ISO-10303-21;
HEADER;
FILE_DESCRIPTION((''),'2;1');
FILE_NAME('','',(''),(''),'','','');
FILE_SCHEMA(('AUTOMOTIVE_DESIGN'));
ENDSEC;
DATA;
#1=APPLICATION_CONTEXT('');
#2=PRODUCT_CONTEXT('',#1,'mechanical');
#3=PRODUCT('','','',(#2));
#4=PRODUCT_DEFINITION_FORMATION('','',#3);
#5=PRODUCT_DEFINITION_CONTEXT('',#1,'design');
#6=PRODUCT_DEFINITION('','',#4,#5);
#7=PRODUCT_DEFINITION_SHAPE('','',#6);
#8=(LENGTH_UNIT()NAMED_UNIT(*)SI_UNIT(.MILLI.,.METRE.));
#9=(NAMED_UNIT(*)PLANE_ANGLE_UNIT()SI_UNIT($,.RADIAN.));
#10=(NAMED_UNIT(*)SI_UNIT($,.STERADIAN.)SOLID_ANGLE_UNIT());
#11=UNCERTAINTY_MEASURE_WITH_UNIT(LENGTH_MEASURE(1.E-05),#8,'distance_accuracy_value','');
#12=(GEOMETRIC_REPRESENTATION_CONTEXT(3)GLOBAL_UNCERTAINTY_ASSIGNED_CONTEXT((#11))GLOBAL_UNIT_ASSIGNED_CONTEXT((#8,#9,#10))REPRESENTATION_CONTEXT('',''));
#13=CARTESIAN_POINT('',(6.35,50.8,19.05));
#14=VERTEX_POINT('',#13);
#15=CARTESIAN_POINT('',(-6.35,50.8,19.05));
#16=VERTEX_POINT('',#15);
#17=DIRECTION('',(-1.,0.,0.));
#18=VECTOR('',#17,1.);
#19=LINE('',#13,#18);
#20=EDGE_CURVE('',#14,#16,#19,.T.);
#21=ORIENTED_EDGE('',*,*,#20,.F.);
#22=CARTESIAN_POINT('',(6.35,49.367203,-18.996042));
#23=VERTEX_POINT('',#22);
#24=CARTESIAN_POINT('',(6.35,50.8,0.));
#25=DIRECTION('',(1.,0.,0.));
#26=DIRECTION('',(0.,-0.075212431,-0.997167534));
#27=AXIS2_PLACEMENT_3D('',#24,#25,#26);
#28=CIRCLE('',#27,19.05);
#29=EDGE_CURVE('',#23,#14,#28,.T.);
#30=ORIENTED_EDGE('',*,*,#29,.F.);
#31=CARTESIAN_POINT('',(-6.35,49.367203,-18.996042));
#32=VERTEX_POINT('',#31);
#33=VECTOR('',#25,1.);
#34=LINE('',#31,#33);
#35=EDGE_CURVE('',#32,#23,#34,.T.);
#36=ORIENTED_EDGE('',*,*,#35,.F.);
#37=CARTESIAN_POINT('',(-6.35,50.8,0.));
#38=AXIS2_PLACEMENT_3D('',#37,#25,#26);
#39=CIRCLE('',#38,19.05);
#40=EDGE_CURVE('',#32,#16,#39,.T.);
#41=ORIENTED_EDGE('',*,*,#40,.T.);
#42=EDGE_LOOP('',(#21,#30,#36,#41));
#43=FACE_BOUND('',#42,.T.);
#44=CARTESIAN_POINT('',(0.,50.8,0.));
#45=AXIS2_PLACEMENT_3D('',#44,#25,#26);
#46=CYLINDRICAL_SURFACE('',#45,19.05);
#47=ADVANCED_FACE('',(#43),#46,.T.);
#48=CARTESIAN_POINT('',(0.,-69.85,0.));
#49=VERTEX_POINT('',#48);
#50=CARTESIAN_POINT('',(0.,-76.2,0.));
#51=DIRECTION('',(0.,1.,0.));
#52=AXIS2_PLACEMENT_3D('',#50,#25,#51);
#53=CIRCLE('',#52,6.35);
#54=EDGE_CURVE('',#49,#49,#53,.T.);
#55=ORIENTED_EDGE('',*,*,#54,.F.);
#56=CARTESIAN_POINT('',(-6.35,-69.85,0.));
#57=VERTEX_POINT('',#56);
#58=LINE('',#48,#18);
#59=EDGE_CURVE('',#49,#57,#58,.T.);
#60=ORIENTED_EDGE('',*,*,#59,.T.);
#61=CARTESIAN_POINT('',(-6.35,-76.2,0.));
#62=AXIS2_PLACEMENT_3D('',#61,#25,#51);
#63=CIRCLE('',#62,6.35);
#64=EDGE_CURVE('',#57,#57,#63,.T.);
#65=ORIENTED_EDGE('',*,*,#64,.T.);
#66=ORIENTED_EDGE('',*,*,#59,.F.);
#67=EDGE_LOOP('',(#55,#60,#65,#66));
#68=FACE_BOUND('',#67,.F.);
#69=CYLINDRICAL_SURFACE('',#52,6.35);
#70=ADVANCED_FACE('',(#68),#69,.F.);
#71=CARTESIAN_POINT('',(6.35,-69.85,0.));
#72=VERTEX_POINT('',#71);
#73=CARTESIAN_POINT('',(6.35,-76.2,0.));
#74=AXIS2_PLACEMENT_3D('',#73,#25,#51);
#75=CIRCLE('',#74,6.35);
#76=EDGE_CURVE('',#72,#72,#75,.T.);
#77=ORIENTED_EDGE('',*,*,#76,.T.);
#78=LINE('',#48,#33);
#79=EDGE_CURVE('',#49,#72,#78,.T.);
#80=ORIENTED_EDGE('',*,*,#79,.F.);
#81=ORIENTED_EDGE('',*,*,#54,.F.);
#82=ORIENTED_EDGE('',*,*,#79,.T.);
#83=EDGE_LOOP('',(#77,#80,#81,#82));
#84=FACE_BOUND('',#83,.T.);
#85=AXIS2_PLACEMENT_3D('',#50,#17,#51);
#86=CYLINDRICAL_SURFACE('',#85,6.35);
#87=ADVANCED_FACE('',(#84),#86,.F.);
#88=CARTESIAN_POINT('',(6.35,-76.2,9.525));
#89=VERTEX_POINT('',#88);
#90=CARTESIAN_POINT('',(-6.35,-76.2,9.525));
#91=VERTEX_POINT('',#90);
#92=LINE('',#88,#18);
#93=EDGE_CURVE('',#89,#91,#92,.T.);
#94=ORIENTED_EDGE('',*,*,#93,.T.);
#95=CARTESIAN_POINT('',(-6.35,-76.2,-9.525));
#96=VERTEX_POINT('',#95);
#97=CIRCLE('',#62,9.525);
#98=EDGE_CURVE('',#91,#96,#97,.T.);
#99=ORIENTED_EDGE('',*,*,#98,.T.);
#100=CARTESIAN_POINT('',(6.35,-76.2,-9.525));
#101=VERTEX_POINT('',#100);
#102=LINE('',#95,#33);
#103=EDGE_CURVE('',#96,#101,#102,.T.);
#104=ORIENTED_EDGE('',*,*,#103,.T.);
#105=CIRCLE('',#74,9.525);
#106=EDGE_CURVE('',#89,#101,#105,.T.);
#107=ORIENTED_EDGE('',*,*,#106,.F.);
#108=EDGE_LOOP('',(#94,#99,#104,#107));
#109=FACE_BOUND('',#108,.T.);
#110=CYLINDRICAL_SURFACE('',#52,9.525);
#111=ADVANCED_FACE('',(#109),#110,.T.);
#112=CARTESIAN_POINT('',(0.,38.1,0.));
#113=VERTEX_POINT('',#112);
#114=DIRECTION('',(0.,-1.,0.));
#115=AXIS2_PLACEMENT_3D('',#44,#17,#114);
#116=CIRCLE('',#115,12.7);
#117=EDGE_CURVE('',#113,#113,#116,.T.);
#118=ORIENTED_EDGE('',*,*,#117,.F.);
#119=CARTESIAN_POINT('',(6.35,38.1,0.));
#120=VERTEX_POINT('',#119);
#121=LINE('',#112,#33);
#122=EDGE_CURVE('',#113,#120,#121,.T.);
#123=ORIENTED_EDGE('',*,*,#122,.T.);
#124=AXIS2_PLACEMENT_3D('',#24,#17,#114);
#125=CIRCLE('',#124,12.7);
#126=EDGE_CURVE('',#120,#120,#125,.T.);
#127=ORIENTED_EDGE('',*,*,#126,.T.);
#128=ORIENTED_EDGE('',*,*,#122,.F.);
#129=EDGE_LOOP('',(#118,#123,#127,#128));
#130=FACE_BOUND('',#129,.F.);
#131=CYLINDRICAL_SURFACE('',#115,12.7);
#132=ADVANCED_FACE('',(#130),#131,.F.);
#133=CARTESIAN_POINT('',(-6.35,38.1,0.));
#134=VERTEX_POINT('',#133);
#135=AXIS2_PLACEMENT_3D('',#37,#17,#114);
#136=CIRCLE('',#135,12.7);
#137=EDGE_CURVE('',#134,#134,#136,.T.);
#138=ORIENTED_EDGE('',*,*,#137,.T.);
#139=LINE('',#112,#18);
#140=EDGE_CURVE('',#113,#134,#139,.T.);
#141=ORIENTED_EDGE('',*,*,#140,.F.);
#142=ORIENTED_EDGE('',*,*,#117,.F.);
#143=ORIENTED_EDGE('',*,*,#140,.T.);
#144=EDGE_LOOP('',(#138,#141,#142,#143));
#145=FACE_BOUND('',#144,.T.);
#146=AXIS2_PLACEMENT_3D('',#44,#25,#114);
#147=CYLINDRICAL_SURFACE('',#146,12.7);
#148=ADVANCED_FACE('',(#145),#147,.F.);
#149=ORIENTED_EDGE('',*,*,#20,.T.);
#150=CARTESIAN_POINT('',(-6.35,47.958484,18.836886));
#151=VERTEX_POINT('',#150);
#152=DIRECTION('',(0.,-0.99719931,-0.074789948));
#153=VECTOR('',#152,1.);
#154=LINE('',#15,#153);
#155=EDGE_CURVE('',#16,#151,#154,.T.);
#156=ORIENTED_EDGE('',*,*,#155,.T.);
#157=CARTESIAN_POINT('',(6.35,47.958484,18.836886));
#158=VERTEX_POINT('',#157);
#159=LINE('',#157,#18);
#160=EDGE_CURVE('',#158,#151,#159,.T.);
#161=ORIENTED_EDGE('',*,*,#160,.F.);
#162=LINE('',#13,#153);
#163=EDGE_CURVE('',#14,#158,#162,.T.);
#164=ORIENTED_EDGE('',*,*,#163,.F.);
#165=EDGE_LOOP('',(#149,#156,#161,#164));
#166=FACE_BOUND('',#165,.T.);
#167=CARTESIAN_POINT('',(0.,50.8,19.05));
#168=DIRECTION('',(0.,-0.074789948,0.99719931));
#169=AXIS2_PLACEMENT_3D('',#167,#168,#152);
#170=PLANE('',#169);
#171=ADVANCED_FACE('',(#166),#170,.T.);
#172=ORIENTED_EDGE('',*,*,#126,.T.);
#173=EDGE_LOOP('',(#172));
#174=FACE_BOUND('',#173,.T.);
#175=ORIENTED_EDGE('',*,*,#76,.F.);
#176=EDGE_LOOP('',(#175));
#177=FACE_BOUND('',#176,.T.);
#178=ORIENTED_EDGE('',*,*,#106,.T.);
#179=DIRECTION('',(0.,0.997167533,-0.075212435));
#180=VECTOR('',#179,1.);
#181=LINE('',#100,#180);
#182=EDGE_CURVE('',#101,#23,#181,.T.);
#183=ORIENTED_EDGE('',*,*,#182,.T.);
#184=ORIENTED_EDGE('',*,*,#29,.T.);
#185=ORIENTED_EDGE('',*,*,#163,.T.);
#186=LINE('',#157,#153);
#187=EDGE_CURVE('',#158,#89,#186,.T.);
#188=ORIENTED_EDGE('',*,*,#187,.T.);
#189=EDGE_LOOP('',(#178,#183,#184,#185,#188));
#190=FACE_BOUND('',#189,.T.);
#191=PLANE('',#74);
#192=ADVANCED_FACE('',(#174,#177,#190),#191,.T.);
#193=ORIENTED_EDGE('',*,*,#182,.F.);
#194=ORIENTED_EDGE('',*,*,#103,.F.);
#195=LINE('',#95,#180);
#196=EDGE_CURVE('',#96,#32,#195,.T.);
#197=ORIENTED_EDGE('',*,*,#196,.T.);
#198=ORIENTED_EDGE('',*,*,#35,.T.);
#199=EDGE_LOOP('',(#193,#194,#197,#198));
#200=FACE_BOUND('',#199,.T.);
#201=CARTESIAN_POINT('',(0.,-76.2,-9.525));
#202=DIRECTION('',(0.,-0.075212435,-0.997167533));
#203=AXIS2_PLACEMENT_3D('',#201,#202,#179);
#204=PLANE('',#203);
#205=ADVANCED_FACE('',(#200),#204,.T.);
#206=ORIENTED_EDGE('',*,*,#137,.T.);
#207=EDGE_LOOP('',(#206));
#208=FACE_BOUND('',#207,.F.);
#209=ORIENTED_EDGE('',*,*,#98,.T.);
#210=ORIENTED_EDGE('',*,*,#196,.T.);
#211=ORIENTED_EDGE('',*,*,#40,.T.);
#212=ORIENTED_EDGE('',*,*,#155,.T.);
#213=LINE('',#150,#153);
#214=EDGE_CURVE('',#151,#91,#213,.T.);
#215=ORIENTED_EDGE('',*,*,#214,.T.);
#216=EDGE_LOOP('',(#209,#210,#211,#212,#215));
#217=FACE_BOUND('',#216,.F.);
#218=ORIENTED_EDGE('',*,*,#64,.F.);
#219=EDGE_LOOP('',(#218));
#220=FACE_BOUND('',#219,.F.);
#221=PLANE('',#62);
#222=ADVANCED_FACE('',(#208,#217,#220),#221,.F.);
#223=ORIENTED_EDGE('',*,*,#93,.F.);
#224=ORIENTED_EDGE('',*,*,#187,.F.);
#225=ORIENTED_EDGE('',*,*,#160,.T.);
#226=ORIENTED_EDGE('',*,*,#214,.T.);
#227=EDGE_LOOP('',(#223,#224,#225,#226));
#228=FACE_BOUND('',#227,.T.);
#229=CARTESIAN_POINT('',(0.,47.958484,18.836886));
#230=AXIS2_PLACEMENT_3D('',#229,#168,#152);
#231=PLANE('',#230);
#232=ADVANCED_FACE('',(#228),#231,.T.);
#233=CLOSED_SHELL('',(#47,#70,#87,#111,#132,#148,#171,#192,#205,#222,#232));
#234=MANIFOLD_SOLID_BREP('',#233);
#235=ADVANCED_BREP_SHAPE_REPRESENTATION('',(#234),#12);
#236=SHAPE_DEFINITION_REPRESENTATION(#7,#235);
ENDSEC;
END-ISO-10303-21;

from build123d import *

# Parameters (mm, degrees)
F0_R     = 6.35
F1_DEPTH = 6.35


with BuildPart() as f1:
    # F0 (on Right) → F1 (new body, symmetric)
    with BuildSketch(Plane.YZ):
        with BuildLine():
            ThreePointArc((-76.2, -9.525), (-69.4648079092, -6.7351920908), (-66.675, 0))
            ThreePointArc((-66.675, 0), (-69.4648079092, 6.7351920908), (-76.2, 9.525))
            ThreePointArc((-76.2, 9.525), (-85.725, 0), (-76.2, -9.525))
        make_face()
        with Locations((-76.2, 0)):
            Circle(F0_R, mode=Mode.SUBTRACT)
        with BuildLine():
            ThreePointArc((-76.2, 9.525), (-69.4648079092, 6.7351920908), (-66.675, 0))
            Line((-66.675, 0), (31.75, 0))
            ThreePointArc((31.75, 0), (36.3598928544, 12.4252084741), (47.9584835301, 18.8368862648))
            Line((47.9584835301, 18.8368862648), (-76.2, 9.525))
        make_face()
        with BuildLine():
            Line((31.75, 0), (-66.675, 0))
            ThreePointArc((-66.675, 0), (-69.4648079092, -6.7351920908), (-76.2, -9.525))
            Line((-76.2, -9.525), (49.3672031886, -18.9960415165))
            ThreePointArc((49.3672031886, -18.9960415165), (36.8322285375, -12.9539129367), (31.75, 0))
        make_face()
        with BuildLine():
            ThreePointArc((47.9584835301, 18.8368862648), (36.3598928544, 12.4252084741), (31.75, 0))
            ThreePointArc((31.75, 0), (36.8322285375, -12.9539129367), (49.3672031886, -18.9960415165))
            ThreePointArc((49.3672031886, -18.9960415165), (63.7539129367, -13.9677714625), (69.85, 0))
            ThreePointArc((69.85, 0), (64.2703841816, 13.4703841816), (50.8, 19.05))
            Line((50.8, 19.05), (47.9584835301, 18.8368862648))
        make_face()
        with BuildLine():
            ThreePointArc((63.5, 0), (50.8, -12.7), (38.1, 0))
            ThreePointArc((38.1, 0), (50.8, 12.7), (63.5, 0))
        make_face(mode=Mode.SUBTRACT)
    extrude(amount=F1_DEPTH, both=True)


solid = f1.part
